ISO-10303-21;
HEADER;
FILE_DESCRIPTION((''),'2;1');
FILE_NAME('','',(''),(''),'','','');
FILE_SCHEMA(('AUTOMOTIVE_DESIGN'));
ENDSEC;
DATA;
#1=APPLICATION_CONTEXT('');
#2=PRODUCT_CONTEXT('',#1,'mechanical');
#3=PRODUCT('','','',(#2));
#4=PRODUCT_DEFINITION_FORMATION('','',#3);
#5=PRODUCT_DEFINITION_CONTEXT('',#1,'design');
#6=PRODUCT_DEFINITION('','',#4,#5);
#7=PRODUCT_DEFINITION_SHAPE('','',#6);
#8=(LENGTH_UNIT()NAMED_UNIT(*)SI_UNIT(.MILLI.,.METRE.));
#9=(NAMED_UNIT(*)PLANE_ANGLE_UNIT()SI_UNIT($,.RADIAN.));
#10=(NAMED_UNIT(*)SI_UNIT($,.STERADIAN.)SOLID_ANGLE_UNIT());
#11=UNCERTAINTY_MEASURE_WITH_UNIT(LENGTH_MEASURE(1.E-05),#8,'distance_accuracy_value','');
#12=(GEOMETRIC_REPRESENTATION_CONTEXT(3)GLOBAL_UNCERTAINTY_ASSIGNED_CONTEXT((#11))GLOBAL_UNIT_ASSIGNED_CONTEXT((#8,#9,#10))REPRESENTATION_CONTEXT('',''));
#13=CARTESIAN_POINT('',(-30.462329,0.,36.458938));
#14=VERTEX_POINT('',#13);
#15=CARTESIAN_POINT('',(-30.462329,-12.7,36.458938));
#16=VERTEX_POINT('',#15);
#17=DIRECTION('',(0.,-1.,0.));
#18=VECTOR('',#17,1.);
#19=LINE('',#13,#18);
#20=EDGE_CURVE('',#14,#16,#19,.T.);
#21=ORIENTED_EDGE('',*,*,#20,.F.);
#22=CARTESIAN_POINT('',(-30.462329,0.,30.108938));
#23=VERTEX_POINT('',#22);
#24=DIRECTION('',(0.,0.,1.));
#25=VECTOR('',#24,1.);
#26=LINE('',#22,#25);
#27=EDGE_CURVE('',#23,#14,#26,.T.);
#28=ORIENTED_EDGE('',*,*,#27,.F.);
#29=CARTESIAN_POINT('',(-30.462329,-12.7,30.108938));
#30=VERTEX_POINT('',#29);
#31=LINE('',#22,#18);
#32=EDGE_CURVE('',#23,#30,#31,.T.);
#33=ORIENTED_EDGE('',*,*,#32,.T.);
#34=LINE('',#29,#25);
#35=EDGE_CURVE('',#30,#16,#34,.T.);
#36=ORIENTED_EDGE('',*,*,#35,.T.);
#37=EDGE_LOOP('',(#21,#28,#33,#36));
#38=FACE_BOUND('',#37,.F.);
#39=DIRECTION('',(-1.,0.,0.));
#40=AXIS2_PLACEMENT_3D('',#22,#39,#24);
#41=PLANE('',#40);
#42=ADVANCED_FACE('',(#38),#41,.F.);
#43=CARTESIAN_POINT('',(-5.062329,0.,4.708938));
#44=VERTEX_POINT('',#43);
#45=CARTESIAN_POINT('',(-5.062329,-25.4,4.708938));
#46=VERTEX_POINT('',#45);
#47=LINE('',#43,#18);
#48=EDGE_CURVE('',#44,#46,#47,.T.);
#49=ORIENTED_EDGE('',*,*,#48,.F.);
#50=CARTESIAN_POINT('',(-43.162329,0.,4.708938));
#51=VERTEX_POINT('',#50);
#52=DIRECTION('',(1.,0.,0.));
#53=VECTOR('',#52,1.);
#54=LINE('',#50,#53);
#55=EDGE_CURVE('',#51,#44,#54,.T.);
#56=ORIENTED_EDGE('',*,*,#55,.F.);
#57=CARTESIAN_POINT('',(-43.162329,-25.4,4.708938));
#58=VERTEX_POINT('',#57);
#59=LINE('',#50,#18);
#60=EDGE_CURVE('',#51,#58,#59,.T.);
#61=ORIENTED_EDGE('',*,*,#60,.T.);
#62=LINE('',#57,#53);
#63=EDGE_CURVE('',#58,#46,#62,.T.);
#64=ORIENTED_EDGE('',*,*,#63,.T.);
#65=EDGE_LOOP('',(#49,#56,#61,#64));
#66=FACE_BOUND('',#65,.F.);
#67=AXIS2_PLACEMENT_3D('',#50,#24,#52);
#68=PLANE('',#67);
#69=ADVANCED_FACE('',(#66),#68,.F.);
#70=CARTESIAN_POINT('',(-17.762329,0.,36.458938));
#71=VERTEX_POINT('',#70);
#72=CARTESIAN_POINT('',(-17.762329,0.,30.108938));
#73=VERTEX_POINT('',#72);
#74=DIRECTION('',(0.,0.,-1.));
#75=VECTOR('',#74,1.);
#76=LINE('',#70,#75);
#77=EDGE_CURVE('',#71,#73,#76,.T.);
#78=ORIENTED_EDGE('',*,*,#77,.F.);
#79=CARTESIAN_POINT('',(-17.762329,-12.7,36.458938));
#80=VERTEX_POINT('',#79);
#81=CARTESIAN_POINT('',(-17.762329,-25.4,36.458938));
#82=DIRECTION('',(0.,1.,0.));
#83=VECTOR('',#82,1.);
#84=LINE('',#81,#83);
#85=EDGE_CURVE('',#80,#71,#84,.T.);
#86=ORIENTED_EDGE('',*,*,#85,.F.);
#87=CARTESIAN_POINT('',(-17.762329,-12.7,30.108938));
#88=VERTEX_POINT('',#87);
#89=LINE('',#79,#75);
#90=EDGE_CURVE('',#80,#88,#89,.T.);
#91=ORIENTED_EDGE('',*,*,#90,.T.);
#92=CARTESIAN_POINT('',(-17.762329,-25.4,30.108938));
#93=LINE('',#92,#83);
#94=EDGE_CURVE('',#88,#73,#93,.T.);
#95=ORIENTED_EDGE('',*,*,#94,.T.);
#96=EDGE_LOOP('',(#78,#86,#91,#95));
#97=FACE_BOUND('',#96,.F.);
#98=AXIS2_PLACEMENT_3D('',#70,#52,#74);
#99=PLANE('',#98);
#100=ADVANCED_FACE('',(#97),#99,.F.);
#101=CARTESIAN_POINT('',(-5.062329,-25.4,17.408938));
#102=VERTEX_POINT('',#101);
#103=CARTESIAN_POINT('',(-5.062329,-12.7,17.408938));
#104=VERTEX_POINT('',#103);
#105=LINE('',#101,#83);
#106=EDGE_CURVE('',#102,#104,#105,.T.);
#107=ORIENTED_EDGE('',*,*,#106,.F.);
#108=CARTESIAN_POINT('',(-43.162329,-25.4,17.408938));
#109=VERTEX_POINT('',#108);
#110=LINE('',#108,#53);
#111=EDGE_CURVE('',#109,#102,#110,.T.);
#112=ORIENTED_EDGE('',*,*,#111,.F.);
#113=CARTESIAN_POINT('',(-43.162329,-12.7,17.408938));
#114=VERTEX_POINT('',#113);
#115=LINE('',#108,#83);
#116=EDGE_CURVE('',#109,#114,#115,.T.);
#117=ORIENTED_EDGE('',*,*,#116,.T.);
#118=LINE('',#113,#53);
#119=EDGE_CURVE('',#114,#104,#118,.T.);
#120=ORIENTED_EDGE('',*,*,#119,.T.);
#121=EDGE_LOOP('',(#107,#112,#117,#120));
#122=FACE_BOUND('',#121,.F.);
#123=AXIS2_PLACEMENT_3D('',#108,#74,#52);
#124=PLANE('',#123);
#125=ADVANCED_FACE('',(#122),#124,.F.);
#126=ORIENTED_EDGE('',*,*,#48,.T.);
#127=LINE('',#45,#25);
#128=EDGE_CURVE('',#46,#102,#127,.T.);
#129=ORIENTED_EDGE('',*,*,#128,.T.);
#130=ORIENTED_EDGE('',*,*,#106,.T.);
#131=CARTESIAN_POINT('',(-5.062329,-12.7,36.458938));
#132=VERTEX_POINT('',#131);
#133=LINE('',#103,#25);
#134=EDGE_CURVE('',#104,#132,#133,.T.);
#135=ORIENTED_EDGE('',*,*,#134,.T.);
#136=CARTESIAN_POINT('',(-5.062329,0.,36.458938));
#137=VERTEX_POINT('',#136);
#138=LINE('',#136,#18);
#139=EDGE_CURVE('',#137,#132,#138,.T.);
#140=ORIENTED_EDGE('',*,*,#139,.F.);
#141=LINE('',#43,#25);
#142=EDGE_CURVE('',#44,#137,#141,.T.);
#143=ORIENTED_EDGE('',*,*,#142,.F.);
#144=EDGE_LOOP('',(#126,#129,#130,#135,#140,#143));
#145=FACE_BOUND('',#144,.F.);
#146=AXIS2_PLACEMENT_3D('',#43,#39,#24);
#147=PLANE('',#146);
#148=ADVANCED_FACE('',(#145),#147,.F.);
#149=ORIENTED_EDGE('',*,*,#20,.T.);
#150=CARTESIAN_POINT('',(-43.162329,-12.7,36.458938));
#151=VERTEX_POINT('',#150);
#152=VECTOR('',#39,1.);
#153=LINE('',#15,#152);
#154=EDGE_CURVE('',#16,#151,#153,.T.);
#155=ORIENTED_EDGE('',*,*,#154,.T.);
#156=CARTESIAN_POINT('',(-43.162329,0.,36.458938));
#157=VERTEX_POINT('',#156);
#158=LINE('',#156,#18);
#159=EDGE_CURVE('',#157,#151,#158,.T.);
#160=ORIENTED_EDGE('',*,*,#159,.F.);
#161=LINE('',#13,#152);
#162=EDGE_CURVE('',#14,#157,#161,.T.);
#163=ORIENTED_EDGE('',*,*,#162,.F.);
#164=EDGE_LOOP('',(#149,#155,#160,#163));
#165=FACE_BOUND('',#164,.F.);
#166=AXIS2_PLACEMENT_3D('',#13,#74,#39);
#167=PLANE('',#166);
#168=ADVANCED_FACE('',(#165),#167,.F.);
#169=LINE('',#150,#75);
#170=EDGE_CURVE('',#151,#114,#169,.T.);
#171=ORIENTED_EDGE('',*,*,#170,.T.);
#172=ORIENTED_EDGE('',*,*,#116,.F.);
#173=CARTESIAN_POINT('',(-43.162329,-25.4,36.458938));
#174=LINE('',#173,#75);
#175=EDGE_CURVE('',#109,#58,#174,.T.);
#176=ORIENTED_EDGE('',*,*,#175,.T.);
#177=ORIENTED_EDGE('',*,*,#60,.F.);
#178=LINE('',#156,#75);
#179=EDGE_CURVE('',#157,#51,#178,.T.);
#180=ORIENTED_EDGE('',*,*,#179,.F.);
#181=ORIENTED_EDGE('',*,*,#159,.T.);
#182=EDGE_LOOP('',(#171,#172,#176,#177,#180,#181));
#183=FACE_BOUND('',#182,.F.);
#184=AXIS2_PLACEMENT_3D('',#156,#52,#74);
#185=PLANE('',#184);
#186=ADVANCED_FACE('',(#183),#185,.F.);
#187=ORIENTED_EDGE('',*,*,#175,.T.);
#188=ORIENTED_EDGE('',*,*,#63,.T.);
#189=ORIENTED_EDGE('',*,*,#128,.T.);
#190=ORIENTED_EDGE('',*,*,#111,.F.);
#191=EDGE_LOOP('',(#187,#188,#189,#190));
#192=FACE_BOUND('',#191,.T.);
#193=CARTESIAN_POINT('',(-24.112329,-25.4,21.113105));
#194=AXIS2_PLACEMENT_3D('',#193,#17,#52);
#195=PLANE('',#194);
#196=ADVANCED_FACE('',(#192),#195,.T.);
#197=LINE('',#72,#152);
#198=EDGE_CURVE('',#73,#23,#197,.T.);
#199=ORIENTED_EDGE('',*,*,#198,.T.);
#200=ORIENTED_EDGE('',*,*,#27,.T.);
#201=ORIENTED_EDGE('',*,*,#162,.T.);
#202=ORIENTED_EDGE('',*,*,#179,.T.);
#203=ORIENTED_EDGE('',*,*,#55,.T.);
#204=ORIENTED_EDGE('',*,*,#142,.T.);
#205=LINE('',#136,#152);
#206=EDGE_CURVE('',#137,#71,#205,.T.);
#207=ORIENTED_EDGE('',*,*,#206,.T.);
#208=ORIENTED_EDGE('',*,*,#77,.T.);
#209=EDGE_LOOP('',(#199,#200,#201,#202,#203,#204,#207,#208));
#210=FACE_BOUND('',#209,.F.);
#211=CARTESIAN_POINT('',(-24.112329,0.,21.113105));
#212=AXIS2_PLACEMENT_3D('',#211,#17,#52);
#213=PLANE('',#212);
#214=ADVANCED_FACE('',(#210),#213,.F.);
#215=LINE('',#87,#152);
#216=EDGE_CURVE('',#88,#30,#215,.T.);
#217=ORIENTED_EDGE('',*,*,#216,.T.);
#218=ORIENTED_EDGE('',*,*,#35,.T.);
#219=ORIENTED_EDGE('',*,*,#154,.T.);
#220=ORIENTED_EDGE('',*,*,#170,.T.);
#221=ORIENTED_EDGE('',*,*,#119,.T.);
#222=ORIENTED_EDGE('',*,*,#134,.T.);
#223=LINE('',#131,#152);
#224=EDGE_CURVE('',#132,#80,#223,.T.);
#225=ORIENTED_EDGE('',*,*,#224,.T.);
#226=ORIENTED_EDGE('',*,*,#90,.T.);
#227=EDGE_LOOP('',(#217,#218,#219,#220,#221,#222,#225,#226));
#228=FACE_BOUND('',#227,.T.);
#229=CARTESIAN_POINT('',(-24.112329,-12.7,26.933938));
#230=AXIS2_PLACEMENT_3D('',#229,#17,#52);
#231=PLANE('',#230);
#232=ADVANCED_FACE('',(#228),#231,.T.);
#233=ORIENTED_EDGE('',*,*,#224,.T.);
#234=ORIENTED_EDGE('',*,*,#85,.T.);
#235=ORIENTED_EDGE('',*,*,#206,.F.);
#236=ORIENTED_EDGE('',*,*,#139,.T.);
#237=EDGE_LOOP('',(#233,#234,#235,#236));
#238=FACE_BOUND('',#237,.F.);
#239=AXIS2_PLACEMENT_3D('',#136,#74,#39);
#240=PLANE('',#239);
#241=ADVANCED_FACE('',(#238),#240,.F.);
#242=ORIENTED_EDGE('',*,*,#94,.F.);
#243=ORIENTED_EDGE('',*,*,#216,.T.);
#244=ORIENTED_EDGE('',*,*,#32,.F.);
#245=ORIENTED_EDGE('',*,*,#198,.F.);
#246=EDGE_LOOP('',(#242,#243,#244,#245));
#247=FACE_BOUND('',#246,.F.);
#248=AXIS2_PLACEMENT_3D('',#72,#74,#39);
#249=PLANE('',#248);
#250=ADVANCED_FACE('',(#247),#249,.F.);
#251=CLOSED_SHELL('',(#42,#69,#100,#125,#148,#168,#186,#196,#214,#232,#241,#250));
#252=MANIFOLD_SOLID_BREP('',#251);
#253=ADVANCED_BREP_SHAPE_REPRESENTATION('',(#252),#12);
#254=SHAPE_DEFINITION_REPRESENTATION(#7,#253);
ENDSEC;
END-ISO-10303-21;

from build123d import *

# Parameters (mm, degrees)
F1_DEPTH = 25.4
F2_DEPTH = 12.7
F4_DEPTH = 12.7


with BuildPart() as f1:
    # F0 (on Front) → F1 (new body)
    with BuildSketch(Plane.XZ):
        Polygon((-30.462329, 36.458938), (-43.162329, 36.458938), (-43.162329, 4.708938), (-5.062329, 4.708938), (-5.062329, 36.458938), (-17.762329, 36.458938), (-17.762329, 30.108938), (-30.462329, 30.108938), align=None)
    extrude(amount=F1_DEPTH)

    # F1_face (on face) → F2 (join)
    with BuildSketch(Plane(origin=(-24.112329, -25.4, 19.676795), x_dir=(1, 0, 0), z_dir=(0, -1, 0))):
        Polygon((6.35, 10.432143), (-6.35, 10.432143), (-6.35, 16.782143), (-19.05, 16.782143), (-19.05, -14.967857), (19.05, -14.967857), (19.05, 16.782143), (6.35, 16.782143), align=None)
    extrude(amount=-F2_DEPTH)

    # F3 (on face) → F4 (cut)
    with BuildSketch(Plane.XZ.offset(25.4)):
        Polygon((-43.162329, 36.458938), (-43.162329, 17.408938), (-5.062329, 17.408938), (-5.062329, 36.458938), (-17.762329, 36.458938), (-17.762329, 30.108938), (-30.462329, 30.108938), (-30.462329, 36.458938), align=None)
    extrude(amount=-F4_DEPTH, mode=Mode.SUBTRACT)


solid = f1.part
